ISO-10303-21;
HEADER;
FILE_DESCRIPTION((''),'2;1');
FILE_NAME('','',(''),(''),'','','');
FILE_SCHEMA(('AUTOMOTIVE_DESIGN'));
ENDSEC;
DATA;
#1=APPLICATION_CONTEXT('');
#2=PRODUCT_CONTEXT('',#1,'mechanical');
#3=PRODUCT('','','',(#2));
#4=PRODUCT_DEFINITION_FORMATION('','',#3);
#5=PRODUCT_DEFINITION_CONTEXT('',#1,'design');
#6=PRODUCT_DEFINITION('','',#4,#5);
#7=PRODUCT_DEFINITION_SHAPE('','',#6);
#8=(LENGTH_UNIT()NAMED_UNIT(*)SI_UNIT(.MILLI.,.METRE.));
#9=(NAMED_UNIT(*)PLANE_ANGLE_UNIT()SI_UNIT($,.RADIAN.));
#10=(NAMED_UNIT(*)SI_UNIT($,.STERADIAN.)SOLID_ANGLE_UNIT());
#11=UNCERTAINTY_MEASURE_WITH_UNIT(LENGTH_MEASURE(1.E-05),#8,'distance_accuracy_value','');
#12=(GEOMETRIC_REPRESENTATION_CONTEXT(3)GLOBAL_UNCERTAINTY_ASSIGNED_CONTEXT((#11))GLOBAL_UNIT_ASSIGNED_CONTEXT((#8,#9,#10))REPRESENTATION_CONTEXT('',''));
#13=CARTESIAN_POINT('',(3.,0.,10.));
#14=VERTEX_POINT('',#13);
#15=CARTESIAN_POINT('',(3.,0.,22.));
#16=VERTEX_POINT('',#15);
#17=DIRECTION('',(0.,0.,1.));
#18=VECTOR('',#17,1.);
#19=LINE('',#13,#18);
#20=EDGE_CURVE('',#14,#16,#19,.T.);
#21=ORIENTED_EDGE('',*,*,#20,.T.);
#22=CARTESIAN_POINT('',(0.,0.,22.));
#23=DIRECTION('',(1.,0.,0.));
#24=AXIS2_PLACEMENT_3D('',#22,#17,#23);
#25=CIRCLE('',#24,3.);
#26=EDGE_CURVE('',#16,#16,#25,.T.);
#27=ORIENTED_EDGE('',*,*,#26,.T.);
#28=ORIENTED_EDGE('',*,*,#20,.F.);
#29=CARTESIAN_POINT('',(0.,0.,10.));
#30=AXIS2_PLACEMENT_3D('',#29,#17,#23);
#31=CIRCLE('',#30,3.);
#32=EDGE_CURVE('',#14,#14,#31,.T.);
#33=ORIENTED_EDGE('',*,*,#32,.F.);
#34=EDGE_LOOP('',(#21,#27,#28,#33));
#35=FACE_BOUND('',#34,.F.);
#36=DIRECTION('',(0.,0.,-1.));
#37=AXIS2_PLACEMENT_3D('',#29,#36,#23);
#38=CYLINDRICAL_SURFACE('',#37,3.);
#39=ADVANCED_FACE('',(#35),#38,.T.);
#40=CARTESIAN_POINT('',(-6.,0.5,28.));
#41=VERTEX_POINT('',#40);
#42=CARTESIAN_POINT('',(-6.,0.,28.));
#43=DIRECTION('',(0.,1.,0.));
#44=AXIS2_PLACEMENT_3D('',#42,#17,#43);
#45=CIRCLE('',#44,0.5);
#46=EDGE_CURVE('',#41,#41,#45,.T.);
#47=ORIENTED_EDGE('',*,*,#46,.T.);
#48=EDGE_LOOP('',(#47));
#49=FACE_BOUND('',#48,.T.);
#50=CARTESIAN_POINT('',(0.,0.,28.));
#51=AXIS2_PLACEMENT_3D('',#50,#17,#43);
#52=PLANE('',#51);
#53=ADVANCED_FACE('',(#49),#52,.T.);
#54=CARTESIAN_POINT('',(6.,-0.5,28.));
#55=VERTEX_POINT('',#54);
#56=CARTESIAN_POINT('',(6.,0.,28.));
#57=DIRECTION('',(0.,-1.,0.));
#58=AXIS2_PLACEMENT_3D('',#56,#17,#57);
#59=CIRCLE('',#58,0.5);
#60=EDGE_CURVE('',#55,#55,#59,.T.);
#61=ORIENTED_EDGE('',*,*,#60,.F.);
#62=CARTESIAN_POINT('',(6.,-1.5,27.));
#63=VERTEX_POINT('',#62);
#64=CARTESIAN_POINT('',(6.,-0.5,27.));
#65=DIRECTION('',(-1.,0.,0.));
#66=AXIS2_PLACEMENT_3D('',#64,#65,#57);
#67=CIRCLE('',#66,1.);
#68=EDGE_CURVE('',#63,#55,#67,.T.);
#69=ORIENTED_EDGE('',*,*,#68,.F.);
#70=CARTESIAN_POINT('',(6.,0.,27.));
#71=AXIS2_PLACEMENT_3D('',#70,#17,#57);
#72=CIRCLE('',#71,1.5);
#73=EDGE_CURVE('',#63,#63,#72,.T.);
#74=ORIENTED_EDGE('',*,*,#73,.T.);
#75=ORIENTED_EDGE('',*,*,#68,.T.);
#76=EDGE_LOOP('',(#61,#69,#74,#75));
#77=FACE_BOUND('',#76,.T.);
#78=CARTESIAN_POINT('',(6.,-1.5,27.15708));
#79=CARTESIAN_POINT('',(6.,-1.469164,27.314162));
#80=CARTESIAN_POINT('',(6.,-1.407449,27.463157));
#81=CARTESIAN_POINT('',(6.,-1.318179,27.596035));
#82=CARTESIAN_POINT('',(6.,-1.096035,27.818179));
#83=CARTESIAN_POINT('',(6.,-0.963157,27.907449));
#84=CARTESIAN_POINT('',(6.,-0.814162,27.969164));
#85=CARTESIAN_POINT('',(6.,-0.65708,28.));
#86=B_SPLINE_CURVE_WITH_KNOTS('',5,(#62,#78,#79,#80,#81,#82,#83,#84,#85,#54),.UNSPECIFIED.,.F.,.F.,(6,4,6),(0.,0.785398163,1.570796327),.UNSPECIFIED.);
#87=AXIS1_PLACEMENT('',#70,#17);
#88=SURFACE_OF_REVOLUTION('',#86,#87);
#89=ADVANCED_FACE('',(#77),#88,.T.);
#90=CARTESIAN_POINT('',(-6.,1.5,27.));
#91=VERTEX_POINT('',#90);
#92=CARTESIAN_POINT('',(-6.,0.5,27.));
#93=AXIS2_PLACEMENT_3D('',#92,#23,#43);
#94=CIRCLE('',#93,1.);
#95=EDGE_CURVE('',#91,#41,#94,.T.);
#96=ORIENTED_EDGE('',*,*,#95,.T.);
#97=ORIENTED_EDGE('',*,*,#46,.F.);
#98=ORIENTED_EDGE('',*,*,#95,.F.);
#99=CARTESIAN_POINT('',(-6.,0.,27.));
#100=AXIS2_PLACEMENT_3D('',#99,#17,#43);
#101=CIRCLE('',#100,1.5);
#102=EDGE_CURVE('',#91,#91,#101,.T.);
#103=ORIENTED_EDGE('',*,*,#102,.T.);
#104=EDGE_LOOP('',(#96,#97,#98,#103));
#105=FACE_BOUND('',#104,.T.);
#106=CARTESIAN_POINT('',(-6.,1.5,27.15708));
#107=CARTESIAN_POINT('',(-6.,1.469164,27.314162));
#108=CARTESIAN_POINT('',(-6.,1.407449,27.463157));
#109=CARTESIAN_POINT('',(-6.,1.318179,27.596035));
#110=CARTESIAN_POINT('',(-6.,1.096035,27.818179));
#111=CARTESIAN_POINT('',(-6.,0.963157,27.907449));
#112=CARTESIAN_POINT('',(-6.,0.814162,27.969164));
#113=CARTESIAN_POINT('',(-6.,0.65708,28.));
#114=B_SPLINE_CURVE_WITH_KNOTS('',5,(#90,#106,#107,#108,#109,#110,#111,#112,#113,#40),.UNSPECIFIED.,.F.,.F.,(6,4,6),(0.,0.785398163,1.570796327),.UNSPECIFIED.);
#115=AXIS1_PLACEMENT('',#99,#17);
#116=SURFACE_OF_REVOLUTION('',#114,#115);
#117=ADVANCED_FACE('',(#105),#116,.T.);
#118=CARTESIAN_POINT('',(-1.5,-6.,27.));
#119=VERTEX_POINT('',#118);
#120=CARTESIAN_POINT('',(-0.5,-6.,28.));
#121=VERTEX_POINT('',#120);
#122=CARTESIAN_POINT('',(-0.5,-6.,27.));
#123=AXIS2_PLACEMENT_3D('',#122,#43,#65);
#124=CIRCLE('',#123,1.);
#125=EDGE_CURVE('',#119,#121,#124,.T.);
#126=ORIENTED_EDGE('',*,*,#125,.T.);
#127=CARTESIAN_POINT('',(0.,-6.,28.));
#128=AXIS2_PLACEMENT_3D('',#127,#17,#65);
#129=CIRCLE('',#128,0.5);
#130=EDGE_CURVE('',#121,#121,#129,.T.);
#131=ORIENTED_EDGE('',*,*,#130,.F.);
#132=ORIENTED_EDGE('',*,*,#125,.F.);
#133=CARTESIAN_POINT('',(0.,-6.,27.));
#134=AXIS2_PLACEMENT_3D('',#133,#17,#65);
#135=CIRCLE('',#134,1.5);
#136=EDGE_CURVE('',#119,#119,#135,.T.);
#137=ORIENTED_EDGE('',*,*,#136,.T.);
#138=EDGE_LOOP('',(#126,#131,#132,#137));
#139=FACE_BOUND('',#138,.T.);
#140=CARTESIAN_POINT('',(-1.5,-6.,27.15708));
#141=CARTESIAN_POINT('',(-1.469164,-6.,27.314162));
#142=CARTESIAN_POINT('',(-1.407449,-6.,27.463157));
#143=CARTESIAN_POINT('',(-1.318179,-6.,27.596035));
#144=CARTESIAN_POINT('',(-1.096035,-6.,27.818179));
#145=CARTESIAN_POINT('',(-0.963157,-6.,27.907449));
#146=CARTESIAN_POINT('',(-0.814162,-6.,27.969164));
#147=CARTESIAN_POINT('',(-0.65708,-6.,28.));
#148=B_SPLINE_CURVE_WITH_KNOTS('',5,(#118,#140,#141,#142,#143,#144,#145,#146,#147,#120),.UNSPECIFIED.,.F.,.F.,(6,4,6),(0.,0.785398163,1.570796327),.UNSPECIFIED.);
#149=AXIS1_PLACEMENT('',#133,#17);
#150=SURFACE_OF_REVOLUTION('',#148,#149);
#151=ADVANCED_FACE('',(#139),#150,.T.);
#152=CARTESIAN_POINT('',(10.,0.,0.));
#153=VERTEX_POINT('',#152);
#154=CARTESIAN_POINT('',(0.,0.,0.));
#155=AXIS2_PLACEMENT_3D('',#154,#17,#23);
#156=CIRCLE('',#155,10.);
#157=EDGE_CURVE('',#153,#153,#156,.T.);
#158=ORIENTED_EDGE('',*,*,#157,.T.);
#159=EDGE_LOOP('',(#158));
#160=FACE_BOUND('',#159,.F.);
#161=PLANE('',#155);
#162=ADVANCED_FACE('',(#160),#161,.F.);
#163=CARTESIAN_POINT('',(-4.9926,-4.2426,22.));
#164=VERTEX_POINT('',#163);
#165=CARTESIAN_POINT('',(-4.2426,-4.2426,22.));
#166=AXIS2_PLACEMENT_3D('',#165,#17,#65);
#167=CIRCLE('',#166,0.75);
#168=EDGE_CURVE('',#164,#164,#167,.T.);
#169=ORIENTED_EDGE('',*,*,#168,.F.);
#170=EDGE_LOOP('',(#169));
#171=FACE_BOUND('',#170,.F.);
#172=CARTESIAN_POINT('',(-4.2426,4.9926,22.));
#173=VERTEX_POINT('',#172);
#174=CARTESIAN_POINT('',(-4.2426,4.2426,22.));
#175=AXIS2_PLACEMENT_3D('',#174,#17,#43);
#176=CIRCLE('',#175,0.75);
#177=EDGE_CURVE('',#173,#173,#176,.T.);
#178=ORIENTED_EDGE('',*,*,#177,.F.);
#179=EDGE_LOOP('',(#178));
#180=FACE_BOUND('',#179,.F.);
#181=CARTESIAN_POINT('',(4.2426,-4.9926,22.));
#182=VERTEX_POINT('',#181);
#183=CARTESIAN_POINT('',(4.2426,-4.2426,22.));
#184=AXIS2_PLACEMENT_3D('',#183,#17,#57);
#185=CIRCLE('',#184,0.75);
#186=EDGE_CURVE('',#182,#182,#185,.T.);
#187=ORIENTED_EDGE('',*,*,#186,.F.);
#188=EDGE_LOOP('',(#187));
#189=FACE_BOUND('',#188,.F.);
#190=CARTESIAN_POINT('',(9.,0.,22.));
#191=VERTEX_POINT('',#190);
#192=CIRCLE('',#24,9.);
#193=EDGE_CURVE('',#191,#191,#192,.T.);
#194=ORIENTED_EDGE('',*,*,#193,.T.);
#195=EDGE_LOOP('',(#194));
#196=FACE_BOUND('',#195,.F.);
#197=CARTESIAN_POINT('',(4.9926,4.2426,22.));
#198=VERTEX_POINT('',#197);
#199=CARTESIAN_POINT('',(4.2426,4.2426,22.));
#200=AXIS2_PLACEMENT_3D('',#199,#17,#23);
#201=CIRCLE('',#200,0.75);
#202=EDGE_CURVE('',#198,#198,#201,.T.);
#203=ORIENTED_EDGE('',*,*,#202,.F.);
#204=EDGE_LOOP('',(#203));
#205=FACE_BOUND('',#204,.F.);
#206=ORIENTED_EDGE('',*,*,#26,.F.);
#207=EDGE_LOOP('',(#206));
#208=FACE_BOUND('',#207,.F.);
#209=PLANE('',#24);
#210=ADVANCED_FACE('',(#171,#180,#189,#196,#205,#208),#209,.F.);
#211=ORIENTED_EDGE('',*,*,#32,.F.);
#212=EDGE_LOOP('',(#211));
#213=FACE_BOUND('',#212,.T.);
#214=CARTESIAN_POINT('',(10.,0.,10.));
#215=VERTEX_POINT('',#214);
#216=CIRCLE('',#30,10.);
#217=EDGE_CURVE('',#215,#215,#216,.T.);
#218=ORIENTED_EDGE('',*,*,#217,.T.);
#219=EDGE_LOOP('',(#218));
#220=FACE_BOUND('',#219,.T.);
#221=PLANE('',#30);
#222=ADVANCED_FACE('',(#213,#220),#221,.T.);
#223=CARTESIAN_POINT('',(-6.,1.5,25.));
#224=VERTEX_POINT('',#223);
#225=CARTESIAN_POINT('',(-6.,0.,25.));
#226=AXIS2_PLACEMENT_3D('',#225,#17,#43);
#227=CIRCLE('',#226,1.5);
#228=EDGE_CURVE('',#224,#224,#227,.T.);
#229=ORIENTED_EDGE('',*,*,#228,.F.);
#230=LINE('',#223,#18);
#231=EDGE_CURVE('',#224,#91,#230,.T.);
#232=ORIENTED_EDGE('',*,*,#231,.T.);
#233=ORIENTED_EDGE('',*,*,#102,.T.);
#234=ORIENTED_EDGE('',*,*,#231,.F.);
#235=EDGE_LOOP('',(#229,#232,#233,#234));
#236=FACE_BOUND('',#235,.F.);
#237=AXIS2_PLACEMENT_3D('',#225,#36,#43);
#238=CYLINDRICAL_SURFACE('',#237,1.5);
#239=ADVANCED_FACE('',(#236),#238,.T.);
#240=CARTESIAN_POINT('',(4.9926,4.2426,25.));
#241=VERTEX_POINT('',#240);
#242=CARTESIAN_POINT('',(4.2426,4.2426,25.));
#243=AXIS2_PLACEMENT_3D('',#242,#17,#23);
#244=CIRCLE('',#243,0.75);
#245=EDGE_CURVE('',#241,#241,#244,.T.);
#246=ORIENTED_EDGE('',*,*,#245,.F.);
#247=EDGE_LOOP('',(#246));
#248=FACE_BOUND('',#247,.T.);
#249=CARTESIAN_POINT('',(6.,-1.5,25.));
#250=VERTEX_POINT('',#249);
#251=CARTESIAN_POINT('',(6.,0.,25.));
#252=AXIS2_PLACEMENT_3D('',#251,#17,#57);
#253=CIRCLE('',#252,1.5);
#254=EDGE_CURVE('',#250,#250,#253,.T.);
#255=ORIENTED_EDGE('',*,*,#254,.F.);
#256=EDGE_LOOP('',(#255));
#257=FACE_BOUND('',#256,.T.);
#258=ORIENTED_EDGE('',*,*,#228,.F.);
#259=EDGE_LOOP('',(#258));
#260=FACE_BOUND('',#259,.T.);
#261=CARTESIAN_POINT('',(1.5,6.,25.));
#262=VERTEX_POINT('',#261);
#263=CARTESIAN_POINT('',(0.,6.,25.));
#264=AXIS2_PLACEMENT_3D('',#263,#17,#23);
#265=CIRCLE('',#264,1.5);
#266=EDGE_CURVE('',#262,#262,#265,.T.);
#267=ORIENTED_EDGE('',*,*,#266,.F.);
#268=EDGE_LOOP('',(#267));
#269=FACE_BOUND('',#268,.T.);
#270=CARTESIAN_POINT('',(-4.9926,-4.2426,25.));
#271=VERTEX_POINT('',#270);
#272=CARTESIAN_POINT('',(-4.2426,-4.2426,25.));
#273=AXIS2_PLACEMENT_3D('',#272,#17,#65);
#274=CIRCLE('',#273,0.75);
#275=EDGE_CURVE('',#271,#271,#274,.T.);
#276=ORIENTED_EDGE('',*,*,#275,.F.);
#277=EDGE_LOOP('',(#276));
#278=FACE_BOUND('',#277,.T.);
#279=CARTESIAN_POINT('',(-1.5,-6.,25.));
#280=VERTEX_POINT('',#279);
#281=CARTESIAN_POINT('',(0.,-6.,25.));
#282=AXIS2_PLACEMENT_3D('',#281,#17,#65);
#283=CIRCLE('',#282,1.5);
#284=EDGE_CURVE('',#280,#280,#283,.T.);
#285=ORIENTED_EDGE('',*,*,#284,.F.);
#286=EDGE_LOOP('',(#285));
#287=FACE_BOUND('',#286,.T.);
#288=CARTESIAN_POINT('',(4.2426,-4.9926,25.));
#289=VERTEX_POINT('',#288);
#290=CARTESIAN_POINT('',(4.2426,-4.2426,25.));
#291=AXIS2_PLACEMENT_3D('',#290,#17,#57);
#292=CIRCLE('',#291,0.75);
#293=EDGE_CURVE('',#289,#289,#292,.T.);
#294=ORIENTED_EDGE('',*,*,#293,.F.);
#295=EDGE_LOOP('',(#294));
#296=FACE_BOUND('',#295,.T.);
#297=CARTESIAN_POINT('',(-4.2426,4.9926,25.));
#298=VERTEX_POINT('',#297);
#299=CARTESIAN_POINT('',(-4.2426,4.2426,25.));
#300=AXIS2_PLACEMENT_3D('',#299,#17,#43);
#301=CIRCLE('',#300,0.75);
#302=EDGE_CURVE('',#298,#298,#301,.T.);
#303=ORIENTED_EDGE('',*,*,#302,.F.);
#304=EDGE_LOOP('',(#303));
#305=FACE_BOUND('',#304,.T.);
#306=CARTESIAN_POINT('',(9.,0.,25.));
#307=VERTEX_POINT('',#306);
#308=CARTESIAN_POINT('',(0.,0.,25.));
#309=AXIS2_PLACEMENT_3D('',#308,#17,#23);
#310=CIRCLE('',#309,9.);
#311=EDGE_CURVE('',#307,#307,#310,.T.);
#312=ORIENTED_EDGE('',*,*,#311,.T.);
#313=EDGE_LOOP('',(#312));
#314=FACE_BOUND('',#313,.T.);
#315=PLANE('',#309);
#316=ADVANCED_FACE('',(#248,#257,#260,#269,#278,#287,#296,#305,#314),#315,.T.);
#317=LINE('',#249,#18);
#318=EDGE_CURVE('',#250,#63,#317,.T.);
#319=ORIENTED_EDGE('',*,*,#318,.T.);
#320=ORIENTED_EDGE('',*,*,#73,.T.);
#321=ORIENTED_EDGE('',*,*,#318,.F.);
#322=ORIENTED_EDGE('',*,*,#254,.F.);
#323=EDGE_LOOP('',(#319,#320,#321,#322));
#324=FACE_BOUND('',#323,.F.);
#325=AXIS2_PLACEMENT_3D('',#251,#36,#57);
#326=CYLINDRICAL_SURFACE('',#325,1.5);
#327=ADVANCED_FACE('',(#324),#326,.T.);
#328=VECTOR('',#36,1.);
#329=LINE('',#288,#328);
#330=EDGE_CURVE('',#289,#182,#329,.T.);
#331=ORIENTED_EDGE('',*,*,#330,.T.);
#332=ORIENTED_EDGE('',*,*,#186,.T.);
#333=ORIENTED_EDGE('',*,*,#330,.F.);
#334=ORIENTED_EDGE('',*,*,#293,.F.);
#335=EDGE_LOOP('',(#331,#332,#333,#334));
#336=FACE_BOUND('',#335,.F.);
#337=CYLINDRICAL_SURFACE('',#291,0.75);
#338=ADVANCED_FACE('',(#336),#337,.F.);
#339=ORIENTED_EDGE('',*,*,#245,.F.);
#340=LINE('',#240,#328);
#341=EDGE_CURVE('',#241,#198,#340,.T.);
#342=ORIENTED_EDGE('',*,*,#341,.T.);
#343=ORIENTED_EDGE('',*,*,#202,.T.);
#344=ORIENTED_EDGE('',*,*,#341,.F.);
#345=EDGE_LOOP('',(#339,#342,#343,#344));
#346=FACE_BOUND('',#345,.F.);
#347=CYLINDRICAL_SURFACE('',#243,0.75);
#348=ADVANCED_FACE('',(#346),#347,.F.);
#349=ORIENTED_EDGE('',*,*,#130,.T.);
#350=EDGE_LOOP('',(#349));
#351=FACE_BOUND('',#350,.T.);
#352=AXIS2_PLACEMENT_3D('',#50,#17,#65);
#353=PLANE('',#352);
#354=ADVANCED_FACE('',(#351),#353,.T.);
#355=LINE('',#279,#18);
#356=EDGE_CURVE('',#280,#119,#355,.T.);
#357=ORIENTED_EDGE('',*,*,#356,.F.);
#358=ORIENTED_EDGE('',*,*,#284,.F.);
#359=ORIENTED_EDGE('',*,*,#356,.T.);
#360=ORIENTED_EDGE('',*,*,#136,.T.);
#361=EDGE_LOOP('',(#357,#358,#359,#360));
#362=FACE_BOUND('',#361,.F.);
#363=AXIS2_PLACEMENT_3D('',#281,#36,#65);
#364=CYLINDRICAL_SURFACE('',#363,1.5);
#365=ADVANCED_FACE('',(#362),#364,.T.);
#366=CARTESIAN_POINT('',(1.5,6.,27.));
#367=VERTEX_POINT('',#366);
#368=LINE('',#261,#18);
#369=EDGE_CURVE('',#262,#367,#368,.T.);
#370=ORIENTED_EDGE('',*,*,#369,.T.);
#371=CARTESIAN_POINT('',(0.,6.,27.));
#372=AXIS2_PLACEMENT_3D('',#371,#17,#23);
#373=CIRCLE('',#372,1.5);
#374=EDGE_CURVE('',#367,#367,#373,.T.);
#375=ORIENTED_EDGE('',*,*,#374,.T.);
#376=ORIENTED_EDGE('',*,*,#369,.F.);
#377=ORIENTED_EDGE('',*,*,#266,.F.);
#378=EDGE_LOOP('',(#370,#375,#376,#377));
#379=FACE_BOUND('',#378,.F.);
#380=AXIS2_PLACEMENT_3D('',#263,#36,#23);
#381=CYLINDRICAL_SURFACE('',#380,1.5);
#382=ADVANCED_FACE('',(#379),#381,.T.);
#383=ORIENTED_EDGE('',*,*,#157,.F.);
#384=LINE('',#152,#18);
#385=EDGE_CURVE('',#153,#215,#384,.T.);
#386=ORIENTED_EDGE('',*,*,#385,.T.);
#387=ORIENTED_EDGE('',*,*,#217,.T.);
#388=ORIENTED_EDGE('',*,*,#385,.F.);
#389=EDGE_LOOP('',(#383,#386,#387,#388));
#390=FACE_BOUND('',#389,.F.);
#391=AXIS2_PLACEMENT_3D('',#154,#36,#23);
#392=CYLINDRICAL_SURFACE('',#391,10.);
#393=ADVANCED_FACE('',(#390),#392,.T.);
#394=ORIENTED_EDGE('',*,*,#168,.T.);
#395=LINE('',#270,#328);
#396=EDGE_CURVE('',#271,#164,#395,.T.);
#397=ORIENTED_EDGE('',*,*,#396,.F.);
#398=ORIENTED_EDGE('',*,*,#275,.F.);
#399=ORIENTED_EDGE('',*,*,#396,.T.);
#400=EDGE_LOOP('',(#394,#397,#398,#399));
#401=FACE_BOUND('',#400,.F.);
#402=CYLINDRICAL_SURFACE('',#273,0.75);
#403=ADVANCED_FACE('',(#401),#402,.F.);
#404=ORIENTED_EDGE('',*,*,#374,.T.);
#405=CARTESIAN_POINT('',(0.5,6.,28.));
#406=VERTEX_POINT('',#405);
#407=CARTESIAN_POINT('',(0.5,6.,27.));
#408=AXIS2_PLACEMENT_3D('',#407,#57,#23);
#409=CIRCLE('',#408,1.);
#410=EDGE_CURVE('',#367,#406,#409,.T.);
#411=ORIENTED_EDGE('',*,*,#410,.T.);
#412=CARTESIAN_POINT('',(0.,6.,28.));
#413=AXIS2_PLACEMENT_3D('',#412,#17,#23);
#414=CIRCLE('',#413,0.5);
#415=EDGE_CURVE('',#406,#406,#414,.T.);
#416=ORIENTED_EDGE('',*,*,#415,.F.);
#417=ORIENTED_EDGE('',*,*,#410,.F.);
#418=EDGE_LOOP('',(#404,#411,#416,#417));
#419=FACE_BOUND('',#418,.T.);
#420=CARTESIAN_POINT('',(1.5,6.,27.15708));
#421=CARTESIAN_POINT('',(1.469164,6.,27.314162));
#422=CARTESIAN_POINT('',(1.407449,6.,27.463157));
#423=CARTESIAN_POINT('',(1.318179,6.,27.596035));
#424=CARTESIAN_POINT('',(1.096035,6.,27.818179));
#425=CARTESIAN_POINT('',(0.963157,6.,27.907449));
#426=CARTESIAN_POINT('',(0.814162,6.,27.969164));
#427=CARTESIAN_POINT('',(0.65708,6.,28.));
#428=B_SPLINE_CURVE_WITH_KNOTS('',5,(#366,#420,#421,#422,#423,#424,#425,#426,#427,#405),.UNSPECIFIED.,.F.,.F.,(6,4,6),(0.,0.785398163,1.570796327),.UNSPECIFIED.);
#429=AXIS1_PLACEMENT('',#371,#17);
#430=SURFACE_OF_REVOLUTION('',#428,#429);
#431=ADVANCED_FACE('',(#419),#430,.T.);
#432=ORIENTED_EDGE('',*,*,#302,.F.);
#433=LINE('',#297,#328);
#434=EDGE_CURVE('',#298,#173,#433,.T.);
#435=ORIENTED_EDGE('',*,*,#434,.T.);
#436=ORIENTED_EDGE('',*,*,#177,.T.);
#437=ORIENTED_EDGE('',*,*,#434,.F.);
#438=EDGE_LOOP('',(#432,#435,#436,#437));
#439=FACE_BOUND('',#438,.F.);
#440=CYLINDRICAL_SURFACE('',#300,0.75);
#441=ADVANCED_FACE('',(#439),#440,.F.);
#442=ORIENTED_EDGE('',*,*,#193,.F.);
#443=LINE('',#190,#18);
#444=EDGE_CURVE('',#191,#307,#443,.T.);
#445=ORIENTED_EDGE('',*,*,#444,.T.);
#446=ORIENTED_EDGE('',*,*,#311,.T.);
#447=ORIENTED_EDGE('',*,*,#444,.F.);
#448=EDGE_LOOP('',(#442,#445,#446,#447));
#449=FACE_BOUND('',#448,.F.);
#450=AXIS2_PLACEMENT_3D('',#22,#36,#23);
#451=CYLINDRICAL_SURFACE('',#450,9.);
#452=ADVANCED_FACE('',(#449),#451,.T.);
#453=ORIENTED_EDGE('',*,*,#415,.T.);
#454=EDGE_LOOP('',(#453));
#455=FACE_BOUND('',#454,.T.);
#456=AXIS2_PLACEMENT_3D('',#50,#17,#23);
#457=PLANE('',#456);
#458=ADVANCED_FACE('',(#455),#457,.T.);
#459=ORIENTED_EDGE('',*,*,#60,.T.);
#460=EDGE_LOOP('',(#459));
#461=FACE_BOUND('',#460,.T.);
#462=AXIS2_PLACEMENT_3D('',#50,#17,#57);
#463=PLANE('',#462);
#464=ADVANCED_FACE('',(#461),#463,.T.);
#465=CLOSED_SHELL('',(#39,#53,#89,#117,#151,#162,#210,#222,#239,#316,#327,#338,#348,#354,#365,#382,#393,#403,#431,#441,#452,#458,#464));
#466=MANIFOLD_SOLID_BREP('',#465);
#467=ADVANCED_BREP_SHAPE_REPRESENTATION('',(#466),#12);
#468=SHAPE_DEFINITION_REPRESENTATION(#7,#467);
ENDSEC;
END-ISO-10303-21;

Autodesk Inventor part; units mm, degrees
ref_plane "YZ Plane" through (0, 0, 0) normal (1, 0, 0) x (0, 1, 0)
ref_plane "XZ Plane" through (0, 0, 0) normal (0, 1, 0) x (-1, 0, 0)
ref_plane "XY Plane" through (0, 0, 0) normal (0, 0, 1) x (1, 0, 0)
sketch "Sketch1" plane through (0, 0, 0) normal (0, 0, 1) x (1, 0, 0)
  circle A0 centre (0, 0) radius 10
  dimension "d0" = 20
extrude "Extrusion1" add sketch "Sketch1" along normal blind 10
sketch "Sketch2" plane through (0, 0, 10) normal (0, 0, 1) x (1, 0, 0)
  circle A0 centre (0, 0) radius 3
  dimension "d3" = 6
extrude "Extrusion2" add sketch "Sketch2" along normal blind 12
sketch "Sketch3" plane through (0, 0, 22) normal (0, 0, 1) x (1, 0, 0)
  circle A0 centre (0, 0) radius 9
  dimension "d6" = 18
extrude "Extrusion3" add sketch "Sketch3" along normal blind 3
sketch "Sketch4" plane through (0, 0, 25) normal (0, 0, 1) x (1, 0, 0)
  circle A0 centre (0, 6) radius 1.5
  circle A1 centre (4.2426, 4.2426) radius 0.75
  line L0 (0, 0) -> (0, 14.9818) construction
  line L1 (0, 0) -> (4.2426, 4.2426) construction
  dimension "d9" = 3
  dimension "d10" = 1.5
  dimension "d11" = 0
  dimension "d12" = 6
  dimension "d13" = 45
  dimension "d14" = 0
  dimension "d15" = 6
  dimension "d16" = 0
extrude "Extrusion4" add sketch "Sketch4" along normal blind 3 contours A0
extrude "Extrusion5" cut sketch "Sketch4" against normal blind 3 contours A1
fillet "Fillet1" radius 1 1 edges at (-1.5, 6, 28)
pattern_circular "Circular Pattern1" count 4 over 360 about axis through (0, 0, 22) along (0, 0, 1) of "Extrusion4", "Fillet1", "Extrusion5"
properties part number "Motor1Gear"
